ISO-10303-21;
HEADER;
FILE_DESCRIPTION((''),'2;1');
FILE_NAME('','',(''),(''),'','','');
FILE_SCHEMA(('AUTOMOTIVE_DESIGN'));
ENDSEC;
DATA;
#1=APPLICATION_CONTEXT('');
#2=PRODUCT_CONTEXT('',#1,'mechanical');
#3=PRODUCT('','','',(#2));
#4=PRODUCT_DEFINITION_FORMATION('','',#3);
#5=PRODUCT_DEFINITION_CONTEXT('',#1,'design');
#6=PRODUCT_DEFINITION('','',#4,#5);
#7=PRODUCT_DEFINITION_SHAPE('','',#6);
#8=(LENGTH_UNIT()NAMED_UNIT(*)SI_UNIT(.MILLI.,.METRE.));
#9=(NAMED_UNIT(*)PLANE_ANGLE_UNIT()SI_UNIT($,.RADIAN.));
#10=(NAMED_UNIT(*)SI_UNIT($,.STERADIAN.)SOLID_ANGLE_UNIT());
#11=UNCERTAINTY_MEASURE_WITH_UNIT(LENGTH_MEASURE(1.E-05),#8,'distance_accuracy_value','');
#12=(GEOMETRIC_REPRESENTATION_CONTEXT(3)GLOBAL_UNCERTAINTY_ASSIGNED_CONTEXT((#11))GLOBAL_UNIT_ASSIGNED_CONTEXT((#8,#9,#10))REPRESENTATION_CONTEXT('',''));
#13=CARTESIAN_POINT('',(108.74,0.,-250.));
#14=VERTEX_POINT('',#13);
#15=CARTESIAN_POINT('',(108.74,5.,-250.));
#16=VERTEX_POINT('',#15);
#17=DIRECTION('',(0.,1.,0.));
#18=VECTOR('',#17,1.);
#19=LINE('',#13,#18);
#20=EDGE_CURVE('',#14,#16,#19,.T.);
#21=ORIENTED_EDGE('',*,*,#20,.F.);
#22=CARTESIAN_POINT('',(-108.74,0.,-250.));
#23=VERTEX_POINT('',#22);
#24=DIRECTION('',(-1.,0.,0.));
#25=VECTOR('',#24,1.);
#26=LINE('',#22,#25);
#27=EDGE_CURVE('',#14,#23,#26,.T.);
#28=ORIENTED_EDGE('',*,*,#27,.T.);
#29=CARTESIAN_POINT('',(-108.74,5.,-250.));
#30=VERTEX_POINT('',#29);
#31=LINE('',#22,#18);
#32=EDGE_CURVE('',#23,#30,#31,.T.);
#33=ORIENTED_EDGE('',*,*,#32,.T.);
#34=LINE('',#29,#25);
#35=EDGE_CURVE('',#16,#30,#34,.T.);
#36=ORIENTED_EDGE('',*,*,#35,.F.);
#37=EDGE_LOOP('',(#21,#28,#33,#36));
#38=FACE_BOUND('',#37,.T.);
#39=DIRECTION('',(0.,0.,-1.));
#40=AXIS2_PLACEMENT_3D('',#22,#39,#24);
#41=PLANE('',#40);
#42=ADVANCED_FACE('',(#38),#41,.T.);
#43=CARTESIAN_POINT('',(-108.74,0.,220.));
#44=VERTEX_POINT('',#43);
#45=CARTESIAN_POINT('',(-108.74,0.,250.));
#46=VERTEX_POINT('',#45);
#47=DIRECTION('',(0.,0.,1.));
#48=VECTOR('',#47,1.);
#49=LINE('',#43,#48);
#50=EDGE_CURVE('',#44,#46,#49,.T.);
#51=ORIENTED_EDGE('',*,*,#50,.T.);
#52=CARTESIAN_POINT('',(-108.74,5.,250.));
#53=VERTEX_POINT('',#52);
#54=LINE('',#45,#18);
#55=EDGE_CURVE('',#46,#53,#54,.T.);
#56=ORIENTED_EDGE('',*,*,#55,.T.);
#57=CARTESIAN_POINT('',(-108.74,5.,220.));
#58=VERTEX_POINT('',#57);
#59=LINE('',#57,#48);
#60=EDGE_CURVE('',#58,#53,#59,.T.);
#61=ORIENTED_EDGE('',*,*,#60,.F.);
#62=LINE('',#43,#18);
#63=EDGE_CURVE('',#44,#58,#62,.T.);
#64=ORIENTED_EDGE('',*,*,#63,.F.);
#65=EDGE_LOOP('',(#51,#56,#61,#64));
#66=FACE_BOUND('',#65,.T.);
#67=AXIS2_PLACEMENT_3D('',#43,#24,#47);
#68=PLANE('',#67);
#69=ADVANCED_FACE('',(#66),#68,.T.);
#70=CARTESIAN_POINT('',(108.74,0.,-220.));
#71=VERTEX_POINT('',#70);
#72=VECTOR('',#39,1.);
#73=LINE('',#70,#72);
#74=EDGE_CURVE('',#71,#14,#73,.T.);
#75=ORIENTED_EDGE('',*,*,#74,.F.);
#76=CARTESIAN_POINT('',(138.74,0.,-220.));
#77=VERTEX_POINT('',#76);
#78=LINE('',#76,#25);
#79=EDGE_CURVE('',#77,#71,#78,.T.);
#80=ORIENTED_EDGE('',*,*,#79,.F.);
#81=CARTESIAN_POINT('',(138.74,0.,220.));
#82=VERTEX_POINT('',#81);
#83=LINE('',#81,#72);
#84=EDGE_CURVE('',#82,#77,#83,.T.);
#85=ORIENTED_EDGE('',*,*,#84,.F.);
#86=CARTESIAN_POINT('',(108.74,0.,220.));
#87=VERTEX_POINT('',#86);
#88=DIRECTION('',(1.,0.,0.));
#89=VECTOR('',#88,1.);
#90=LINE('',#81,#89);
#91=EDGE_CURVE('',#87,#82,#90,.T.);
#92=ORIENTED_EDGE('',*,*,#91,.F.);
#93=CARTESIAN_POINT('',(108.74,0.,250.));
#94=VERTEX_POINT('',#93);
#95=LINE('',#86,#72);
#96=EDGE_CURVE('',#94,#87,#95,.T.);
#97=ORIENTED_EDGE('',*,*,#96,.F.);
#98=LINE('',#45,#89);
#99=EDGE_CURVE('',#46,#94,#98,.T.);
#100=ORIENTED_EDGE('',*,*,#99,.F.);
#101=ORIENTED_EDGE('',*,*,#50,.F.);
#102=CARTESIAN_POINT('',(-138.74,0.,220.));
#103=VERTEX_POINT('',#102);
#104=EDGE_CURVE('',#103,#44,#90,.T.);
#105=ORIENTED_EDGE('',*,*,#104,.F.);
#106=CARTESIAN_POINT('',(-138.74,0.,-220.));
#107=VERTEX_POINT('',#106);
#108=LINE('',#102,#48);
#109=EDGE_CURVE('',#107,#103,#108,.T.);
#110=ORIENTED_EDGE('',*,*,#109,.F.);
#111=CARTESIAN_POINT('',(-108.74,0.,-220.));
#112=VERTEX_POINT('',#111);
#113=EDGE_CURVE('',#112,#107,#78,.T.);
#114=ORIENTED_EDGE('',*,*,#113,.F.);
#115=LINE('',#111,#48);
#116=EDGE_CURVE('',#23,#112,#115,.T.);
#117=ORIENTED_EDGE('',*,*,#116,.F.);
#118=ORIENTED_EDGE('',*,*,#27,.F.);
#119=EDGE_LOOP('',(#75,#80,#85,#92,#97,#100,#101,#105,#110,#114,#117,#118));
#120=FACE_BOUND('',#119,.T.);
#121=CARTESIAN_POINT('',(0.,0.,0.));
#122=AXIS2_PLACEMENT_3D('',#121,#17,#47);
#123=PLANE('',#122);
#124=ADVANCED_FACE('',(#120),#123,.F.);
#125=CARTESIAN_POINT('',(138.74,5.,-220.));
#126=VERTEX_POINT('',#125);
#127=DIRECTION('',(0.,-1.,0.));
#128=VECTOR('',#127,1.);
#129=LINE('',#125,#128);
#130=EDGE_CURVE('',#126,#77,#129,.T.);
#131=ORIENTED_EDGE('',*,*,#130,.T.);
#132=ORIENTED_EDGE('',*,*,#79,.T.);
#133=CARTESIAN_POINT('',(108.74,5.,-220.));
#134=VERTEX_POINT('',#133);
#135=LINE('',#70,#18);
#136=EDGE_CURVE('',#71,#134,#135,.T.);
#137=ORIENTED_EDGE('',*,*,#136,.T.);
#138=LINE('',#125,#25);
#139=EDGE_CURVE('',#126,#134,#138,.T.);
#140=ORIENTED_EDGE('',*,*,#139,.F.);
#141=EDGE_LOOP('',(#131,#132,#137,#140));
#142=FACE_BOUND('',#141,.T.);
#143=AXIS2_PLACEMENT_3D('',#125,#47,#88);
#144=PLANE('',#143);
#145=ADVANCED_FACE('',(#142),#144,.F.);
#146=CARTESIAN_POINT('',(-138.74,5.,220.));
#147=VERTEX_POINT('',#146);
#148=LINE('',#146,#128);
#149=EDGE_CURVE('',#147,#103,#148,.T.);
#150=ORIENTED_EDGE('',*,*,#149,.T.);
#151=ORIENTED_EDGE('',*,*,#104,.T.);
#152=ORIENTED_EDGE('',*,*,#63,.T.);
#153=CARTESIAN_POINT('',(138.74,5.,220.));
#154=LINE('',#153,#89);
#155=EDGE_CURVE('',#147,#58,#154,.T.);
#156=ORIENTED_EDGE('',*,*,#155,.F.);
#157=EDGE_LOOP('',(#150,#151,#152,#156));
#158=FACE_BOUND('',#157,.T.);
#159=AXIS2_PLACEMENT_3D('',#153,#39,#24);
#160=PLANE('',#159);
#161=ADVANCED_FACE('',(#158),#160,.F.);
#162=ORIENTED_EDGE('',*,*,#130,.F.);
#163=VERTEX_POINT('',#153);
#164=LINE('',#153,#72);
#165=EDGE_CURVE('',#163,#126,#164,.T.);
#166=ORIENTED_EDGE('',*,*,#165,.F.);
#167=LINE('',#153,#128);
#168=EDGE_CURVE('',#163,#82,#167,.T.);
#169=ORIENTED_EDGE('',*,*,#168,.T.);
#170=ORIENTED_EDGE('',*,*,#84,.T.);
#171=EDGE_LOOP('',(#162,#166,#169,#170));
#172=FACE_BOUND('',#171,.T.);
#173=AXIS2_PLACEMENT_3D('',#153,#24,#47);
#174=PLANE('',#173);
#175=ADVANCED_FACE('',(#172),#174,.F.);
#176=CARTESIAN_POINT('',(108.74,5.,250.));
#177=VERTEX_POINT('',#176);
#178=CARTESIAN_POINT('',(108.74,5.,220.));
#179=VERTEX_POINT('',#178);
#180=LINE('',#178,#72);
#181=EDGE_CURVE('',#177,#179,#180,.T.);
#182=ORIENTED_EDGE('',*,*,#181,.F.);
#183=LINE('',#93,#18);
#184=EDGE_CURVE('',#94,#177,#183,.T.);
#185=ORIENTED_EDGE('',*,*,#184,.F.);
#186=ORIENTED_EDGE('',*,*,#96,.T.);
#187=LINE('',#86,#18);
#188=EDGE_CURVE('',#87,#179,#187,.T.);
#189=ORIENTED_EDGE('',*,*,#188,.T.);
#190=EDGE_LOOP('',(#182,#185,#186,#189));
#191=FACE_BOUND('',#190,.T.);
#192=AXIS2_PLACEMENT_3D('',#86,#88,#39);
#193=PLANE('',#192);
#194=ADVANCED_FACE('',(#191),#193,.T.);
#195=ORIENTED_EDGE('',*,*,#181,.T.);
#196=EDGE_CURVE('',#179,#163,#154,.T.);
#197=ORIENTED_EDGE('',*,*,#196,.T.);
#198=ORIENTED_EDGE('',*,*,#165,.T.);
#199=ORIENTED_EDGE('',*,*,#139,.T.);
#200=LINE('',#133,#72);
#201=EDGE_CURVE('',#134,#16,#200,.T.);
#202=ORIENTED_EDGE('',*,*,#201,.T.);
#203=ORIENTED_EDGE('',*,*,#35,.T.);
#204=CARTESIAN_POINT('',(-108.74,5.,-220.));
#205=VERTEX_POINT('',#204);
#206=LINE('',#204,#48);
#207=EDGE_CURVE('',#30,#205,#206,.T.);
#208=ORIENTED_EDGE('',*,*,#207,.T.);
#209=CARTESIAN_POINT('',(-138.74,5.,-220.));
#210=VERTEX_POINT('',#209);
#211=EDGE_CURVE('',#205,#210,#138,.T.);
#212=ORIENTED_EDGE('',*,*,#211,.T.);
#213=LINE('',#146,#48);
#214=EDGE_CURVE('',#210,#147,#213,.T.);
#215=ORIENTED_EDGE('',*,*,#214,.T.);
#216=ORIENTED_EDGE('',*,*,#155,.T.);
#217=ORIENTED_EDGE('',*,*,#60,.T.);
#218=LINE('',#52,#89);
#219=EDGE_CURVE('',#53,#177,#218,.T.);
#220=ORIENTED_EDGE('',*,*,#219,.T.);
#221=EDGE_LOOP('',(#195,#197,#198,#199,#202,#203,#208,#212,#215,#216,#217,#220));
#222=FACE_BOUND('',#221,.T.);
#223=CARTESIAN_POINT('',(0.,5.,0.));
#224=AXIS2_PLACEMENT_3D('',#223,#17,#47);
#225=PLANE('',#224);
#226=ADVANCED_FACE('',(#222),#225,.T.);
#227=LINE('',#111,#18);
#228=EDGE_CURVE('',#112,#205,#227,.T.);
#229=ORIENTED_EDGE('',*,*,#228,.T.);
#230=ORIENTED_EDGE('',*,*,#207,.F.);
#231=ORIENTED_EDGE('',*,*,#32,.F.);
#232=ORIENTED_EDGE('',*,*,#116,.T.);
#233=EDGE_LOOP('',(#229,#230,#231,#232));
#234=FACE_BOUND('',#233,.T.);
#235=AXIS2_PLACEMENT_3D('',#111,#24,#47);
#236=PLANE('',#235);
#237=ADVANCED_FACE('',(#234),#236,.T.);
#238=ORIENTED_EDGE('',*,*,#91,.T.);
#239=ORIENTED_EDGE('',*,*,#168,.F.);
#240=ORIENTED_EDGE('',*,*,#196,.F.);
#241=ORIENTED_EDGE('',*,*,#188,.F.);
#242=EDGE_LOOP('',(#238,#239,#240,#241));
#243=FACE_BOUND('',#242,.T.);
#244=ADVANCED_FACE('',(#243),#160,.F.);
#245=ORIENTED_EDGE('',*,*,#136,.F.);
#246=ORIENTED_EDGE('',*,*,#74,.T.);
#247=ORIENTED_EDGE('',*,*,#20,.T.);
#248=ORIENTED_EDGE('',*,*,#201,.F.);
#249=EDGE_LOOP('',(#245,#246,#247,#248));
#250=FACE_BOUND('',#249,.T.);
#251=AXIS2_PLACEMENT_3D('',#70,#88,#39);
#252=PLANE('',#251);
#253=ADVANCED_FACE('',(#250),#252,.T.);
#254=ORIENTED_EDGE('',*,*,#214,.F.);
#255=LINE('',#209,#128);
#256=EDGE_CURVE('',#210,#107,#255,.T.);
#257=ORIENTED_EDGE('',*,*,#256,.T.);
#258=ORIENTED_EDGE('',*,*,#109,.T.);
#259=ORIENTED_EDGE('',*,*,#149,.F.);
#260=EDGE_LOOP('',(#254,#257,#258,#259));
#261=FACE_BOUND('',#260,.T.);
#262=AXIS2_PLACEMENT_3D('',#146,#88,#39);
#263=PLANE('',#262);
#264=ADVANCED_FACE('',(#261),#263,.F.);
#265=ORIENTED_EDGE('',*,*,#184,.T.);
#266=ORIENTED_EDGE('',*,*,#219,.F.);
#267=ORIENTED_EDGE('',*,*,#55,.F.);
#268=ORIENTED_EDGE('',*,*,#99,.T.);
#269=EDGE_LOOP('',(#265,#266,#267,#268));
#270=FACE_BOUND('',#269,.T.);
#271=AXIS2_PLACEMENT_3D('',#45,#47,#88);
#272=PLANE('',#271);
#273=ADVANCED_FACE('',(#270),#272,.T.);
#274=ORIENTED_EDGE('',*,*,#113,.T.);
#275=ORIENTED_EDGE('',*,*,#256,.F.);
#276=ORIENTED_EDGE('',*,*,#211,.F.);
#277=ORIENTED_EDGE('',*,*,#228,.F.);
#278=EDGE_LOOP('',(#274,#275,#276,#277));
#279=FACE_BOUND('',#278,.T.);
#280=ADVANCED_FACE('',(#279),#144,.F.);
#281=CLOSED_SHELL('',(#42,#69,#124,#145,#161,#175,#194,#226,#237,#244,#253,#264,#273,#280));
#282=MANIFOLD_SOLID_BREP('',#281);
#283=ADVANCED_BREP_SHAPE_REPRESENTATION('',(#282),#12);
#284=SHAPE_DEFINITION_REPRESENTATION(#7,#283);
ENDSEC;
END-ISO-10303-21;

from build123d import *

# Parameters (mm, degrees)
SKETCH1_W           = 277.48
SKETCH1_H           = 440
BOSS_EXTRUDE1_DEPTH = 5
SKETCH2_W           = 217.48
SKETCH2_H           = 30
BOSS_EXTRUDE2_DEPTH = 5


with BuildPart() as part:
    # Sketch1 → Boss-Extrude1 (new body)
    with BuildSketch(Plane(origin=(0, 0, 0), x_dir=(1, 0, 0), z_dir=(0, 1, 0))):
        Rectangle(SKETCH1_W, SKETCH1_H)
    extrude(amount=BOSS_EXTRUDE1_DEPTH)

    # Sketch2 → Boss-Extrude2 (add)
    with BuildSketch(Plane(origin=(0, 5, 0), x_dir=(1, 0, 0), z_dir=(0, 1, 0))):
        with Locations((0, 235)):
            Rectangle(SKETCH2_W, SKETCH2_H)
        with Locations((0, -235)):
            Rectangle(SKETCH2_W, SKETCH2_H)
    extrude(amount=-BOSS_EXTRUDE2_DEPTH)


solid = part.part
